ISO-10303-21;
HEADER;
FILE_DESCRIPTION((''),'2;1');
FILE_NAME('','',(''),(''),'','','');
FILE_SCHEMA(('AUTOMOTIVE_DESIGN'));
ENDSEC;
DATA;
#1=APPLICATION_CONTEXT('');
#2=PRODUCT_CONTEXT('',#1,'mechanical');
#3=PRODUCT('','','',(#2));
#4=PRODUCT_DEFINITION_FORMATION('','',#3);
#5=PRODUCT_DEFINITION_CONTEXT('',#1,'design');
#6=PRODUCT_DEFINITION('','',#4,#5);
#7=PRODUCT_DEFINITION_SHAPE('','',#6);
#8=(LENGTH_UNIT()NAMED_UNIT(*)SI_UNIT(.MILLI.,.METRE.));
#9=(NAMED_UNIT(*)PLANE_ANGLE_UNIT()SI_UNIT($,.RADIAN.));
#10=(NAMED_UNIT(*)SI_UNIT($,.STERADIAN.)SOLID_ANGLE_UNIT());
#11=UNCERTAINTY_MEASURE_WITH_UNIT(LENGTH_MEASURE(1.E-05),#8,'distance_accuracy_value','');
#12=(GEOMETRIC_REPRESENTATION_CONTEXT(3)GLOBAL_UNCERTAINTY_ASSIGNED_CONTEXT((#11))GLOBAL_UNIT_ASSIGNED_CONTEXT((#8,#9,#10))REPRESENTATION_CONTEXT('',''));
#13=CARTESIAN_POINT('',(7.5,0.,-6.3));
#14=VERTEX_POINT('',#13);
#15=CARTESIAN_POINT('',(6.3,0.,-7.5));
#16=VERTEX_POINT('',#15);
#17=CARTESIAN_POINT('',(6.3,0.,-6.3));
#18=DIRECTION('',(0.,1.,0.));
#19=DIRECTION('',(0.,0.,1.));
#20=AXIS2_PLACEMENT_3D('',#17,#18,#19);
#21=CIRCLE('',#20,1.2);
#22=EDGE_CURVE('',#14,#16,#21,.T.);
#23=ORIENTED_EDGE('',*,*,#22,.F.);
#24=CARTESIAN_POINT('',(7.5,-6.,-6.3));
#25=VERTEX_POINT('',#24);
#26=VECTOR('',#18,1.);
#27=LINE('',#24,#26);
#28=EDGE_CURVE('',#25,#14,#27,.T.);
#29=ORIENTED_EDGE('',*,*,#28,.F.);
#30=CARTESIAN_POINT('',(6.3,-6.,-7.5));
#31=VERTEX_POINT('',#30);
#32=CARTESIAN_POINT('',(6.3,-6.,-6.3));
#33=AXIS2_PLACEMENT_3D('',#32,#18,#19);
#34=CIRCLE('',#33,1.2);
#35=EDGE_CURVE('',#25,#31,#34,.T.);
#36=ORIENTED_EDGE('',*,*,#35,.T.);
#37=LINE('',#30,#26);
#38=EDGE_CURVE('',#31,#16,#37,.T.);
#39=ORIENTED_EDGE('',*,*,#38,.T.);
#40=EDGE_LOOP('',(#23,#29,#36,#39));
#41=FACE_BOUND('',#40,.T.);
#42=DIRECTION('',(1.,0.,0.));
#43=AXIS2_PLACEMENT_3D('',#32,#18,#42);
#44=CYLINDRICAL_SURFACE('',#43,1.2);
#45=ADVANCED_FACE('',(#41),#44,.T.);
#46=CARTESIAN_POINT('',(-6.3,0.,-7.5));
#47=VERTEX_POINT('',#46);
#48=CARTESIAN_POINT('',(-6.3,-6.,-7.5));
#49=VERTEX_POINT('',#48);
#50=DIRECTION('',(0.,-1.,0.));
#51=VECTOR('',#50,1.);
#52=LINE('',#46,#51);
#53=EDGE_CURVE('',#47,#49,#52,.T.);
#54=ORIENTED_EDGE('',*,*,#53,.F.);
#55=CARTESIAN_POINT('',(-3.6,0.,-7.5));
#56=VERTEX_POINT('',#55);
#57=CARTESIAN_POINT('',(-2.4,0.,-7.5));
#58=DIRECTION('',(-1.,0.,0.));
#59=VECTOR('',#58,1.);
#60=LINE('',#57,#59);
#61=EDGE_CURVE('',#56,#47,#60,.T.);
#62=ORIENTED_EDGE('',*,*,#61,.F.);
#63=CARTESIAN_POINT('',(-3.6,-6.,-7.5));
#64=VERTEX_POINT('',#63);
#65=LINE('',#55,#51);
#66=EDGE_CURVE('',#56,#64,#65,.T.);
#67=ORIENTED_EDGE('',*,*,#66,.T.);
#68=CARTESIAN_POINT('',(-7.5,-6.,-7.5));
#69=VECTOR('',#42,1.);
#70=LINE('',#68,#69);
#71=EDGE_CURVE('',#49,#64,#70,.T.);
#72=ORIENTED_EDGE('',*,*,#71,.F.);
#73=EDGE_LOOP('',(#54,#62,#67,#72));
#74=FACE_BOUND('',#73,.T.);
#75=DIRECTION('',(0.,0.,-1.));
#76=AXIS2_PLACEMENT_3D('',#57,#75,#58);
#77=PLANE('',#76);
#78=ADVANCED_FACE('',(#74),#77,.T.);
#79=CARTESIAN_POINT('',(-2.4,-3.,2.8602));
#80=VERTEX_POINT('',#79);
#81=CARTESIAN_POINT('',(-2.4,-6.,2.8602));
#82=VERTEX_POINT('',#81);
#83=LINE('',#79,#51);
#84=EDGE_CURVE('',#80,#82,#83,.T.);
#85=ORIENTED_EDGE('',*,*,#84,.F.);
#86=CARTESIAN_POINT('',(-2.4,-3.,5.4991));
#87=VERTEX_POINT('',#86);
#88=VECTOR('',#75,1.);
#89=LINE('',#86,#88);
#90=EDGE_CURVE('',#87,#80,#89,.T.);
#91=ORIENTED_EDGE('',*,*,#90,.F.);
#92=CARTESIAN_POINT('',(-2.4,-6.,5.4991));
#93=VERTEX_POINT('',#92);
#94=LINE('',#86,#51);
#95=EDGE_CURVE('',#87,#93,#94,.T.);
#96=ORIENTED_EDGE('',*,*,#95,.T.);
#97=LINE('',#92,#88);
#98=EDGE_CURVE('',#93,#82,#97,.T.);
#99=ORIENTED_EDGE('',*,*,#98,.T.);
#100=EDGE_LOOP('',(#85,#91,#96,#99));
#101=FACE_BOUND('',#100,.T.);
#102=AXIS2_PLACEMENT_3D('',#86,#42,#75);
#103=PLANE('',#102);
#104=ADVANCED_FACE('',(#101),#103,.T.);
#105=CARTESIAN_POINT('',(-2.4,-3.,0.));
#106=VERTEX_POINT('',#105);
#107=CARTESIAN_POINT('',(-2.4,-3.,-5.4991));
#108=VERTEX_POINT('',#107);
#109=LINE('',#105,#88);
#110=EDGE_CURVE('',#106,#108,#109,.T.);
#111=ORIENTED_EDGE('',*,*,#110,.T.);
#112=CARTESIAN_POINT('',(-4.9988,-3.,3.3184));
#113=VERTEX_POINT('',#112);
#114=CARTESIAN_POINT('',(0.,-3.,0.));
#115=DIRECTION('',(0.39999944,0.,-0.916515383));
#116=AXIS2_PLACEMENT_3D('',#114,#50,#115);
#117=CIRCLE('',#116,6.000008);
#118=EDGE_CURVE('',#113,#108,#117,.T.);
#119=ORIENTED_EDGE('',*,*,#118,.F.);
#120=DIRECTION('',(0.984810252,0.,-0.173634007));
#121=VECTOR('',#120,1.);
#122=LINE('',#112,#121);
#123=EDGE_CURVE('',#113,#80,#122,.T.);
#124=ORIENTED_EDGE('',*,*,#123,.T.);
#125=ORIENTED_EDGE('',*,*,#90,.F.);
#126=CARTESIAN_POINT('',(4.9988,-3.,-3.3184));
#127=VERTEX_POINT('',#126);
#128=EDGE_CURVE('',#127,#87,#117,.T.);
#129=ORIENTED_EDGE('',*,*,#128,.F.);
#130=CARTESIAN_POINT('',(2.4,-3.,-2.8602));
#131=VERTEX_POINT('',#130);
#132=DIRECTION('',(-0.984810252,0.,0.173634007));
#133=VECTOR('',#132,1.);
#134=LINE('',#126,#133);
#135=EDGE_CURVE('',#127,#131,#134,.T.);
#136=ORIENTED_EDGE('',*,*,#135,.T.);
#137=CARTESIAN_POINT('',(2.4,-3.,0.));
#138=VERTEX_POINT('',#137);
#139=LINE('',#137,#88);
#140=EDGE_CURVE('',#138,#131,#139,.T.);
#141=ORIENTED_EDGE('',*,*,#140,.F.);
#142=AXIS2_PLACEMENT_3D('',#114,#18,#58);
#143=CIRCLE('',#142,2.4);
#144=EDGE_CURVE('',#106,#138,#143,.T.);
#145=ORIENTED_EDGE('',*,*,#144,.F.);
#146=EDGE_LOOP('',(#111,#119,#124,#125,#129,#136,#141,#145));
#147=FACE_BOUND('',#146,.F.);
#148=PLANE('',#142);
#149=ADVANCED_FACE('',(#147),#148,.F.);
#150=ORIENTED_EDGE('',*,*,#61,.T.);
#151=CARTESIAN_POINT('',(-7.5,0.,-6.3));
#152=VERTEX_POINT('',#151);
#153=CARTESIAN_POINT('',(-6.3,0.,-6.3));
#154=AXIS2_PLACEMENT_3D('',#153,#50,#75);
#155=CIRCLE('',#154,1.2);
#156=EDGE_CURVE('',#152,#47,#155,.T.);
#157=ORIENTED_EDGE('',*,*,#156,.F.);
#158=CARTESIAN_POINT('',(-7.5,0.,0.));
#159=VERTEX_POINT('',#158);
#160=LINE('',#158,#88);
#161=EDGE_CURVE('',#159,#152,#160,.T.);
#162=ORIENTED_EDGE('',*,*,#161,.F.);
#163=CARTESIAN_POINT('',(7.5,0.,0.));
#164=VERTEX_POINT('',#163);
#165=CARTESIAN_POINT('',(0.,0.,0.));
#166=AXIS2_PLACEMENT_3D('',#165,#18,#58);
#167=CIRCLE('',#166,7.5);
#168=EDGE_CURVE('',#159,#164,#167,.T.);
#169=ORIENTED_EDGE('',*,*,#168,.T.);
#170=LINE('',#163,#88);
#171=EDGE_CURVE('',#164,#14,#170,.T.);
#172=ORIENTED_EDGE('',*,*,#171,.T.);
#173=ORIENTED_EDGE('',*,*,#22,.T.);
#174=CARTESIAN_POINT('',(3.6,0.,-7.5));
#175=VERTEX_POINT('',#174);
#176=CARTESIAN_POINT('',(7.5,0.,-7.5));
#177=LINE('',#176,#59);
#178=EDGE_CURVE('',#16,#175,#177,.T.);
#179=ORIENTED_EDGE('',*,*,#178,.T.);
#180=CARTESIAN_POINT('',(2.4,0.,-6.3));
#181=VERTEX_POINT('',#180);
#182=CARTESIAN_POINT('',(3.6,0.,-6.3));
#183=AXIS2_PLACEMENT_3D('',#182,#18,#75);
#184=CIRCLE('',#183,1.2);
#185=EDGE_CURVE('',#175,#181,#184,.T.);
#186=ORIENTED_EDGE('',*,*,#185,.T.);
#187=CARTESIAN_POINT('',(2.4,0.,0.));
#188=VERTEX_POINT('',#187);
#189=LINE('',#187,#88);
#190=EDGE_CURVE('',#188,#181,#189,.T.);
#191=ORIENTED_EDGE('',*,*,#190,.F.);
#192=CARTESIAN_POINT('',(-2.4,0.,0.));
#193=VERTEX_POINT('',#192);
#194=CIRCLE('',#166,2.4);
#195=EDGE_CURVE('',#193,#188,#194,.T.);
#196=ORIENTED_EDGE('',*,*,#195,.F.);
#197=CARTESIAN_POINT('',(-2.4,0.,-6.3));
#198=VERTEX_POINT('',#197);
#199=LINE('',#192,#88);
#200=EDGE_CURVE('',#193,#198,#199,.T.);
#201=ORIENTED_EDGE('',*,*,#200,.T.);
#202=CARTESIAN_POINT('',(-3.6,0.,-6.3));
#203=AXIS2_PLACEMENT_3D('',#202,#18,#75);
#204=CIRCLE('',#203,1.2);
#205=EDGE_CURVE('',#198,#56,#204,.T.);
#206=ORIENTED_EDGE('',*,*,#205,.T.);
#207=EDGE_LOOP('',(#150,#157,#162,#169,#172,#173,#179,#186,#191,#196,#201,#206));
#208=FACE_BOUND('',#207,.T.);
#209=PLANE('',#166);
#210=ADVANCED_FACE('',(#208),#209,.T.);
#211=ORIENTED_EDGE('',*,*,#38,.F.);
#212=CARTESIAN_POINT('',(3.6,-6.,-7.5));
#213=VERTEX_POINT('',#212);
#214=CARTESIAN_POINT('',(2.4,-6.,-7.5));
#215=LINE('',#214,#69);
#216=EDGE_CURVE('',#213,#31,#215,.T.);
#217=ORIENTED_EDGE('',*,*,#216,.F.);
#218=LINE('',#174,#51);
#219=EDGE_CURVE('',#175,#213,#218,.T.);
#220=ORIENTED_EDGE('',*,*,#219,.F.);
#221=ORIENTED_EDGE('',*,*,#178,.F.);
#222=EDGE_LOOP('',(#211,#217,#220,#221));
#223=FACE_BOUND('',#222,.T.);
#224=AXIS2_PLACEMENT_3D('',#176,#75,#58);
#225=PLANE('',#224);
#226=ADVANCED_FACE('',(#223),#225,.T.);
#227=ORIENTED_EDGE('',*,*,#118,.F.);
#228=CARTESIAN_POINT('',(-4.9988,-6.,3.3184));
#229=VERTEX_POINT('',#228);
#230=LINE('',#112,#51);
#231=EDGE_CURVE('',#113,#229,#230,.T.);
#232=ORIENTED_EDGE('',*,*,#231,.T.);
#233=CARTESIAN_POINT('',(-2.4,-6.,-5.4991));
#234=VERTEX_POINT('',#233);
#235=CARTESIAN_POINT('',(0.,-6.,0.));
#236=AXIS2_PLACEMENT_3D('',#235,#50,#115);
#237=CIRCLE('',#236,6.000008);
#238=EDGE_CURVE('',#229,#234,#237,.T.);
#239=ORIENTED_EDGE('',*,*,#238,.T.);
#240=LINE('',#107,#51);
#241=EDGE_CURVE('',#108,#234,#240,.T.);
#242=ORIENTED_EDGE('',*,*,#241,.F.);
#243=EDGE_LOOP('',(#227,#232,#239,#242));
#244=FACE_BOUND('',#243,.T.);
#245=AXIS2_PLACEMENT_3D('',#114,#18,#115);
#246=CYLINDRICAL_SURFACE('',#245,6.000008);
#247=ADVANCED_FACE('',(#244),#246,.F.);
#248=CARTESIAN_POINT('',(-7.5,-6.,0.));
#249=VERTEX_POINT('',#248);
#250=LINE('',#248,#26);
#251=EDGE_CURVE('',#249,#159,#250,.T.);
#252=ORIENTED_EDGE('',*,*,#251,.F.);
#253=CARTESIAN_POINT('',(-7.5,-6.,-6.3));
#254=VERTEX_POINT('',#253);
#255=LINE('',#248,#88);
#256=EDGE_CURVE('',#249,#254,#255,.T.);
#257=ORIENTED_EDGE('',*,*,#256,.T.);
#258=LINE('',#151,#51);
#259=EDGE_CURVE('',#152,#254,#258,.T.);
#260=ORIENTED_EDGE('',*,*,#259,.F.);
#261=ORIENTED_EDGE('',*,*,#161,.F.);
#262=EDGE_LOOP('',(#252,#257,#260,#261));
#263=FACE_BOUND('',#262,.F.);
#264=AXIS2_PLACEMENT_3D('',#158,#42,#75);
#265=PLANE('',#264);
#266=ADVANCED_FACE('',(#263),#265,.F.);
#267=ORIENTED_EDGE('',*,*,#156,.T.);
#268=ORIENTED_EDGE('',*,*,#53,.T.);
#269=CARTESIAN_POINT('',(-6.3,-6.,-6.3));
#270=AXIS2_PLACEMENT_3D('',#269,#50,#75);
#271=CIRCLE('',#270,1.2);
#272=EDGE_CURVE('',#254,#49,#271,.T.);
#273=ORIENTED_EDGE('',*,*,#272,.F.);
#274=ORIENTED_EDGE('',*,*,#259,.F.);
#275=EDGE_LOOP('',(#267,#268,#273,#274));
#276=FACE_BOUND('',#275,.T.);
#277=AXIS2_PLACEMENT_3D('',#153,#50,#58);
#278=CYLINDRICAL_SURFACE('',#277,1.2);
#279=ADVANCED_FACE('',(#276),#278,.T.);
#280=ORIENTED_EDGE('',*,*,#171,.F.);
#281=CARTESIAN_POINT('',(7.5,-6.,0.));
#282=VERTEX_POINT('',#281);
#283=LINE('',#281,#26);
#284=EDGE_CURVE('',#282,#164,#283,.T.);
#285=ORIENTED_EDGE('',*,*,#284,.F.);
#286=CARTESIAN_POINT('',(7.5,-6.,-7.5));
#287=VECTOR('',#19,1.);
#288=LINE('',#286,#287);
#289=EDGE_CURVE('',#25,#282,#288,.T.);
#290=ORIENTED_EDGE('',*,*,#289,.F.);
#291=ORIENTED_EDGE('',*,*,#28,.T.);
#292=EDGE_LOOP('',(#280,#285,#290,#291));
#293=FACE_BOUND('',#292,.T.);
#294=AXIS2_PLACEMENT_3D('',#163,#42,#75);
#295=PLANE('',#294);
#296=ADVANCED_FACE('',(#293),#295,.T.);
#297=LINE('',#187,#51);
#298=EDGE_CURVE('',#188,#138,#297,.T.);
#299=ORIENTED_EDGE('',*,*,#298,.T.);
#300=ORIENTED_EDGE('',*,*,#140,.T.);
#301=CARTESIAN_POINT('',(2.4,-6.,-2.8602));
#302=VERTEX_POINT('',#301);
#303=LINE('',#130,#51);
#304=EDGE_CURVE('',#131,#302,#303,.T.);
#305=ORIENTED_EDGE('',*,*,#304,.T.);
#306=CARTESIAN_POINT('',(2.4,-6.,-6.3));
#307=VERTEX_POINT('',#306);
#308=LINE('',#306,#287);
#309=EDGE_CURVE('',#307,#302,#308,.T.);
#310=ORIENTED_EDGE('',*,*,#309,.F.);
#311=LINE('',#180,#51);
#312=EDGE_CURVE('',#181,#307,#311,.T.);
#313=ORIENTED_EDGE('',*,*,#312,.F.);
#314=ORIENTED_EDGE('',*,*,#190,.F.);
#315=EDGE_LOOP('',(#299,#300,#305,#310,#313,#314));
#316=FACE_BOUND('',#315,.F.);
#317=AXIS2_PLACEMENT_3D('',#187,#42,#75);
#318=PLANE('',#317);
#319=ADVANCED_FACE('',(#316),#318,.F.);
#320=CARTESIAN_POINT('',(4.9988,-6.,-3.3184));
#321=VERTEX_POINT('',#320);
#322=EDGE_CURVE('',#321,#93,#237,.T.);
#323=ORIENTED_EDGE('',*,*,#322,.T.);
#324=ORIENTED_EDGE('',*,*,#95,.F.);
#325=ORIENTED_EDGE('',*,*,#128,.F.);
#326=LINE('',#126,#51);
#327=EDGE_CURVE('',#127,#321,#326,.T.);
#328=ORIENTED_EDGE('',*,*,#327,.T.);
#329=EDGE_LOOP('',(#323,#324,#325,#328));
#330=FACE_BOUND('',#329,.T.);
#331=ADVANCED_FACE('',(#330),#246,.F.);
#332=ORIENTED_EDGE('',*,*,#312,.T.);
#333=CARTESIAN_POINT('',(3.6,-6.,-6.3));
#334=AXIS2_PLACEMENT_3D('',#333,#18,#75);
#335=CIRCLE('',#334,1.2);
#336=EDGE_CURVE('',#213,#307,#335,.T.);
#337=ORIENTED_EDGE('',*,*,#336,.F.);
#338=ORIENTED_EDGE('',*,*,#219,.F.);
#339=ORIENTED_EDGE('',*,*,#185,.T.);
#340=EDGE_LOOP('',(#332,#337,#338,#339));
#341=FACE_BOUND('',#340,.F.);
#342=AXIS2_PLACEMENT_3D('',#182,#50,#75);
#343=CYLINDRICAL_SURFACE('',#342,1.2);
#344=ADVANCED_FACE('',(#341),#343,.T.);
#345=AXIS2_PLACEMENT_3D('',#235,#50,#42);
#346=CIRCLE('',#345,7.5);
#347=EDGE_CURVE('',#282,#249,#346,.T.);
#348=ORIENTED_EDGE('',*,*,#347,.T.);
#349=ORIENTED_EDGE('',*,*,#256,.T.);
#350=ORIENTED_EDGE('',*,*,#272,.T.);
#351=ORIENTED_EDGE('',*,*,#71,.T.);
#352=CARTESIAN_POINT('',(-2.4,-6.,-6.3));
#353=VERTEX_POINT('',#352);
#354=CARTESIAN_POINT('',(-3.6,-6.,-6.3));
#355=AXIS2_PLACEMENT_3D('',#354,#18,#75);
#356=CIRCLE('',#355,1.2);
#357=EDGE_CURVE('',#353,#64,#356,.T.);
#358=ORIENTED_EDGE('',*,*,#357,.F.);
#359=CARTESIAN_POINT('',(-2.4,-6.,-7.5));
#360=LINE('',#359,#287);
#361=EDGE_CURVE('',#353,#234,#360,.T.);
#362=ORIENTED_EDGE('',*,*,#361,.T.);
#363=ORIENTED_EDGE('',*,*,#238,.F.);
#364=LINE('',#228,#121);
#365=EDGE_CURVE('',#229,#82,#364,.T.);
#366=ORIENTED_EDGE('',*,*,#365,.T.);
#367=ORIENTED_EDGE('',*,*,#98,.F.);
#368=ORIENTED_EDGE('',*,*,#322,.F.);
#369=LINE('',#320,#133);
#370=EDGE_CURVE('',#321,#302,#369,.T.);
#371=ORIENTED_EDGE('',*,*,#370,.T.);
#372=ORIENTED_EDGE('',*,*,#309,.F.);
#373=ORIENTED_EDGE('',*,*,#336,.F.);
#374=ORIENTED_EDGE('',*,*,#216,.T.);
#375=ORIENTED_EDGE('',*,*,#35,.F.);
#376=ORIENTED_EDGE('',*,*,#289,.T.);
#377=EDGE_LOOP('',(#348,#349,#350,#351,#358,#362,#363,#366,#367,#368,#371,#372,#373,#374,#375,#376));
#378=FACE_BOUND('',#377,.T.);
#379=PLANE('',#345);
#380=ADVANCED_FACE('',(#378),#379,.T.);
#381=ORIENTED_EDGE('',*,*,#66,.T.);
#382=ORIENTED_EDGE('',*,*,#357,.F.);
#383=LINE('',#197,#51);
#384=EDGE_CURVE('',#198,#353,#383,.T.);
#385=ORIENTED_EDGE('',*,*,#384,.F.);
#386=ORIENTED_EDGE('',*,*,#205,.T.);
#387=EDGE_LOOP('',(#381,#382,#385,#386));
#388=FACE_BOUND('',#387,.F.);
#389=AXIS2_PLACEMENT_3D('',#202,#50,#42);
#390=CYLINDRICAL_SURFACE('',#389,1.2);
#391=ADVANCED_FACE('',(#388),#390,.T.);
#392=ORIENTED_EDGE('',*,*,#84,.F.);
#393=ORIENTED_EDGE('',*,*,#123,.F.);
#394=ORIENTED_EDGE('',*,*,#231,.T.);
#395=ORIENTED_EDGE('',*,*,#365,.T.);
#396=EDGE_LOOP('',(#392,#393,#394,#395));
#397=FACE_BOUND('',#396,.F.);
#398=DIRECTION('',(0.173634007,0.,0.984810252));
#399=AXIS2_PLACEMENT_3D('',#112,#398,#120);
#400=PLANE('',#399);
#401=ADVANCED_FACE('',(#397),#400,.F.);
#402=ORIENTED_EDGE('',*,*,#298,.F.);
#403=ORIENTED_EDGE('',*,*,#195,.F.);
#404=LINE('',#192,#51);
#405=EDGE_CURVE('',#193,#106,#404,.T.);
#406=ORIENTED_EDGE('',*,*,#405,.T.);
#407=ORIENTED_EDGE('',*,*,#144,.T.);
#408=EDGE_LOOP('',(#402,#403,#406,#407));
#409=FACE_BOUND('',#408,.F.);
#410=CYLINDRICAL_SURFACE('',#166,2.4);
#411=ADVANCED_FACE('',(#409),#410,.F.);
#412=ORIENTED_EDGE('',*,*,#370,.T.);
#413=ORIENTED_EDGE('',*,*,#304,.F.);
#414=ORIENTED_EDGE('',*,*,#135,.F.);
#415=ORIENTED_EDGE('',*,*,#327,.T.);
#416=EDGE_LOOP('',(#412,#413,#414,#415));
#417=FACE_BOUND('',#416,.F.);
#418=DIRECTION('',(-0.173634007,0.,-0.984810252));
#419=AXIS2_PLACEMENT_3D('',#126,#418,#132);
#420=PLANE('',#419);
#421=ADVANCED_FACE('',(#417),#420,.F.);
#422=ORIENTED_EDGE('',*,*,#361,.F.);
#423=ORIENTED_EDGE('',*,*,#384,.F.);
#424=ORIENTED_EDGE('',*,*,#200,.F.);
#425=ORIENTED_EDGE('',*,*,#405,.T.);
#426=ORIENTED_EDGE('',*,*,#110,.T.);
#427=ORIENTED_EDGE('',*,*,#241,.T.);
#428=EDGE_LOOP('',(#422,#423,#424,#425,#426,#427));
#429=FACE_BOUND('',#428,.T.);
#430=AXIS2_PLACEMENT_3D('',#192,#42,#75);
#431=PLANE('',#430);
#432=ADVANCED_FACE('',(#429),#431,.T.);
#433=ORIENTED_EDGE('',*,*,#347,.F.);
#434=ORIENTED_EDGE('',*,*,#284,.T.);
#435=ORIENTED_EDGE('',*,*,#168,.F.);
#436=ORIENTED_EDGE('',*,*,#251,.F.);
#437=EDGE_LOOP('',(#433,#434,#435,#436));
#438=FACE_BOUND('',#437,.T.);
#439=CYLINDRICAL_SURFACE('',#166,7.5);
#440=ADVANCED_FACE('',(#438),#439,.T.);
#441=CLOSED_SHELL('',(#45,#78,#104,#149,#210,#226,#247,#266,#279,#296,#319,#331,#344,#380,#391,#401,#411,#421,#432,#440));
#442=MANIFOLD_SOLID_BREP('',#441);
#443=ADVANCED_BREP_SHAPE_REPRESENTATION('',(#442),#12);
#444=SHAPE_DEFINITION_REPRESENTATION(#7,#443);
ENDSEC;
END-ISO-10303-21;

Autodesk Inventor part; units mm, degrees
ref_plane "YZ Plane" through (0, 0, 0) normal (1, 0, 0) x (0, 1, 0)
ref_plane "XZ Plane" through (0, 0, 0) normal (0, 1, 0) x (-1, 0, 0)
ref_plane "XY Plane" through (0, 0, 0) normal (0, 0, 1) x (1, 0, 0)
sketch "Sketch1" plane through (0, 0, 0) normal (0, 1, 0) x (-1, 0, 0)
  arc A0 (7.5, 0) -> (-7.5, 0) centre (0, 0) ccw
  arc A1 (2.4, 0) -> (-2.4, 0) centre (0, 0) ccw
  line L0 (-7.5, 0) -> (7.5, 0) construction
  line L1 (0, 0) -> (0, 11.6178) construction
  line L2 (-7.5, 0) -> (-7.5, -7.5)
  line L3 (-2.4, 0) -> (-2.4, -7.5)
  line L4 (2.4, 0) -> (2.4, -7.5)
  line L5 (7.5, 0) -> (7.5, -7.5)
  line L6 (-7.5, -7.5) -> (-2.4, -7.5)
  line L7 (2.4, -7.5) -> (7.5, -7.5)
  dimension "d0" = 15
  dimension "d2" = 7.5
  dimension "d3" = 4.8
  dimension "d6" = 7.5
  dimension "d8" = 7.5
extrude "Extrusion1" add sketch "Sketch1" against normal blind 3
sketch "Sketch2" plane through (0, -3, 0) normal (0, -1, 0) x (1, 0, 0)
  arc A0 (7.5, 0) -> (-7.5, 0) centre (0, 0) ccw projected
  line L0 (-7.5, 0) -> (-7.5, -7.5) projected
  line L1 (-2.4, -7.5) -> (-2.4, 0) projected
  arc A1 (2.4, 0) -> (-2.4, 0) centre (0, 0) ccw projected
  line L2 (2.4, 0) -> (2.4, -7.5) projected
  line L3 (7.5, -7.5) -> (7.5, 0) projected
  arc A2 (2.4, -5.4991) -> (-2.4, -5.4991) centre (0, 0) ccw
  arc A3 (7.5, 0) -> (-7.5, 0) centre (0, 0) ccw
  line L4 (-7.5, 0) -> (-7.5, -7.5)
  line L5 (-2.4, -7.5) -> (-2.4, -5.4991)
  line L6 (2.4, -5.4991) -> (2.4, -7.5)
  line L7 (7.5, -7.5) -> (7.5, 0)
  line L8 (-7.5, -7.5) -> (-2.4, -7.5)
  line L9 (2.4, -7.5) -> (7.5, -7.5)
  dimension "d11" = 6
extrude "Extrusion2" add sketch "Sketch2" along normal blind 3 contours L3 L9 L2 A2 L1 L8 L0 A0
fillet "Fillet1" radius 1.2 1 edges at (7.5, -3, -7.5)
fillet "Fillet2" radius 1.2 3 edges at (2.4, -3, -7.5) (-2.4, -3, -7.5) (-7.5, -3, -7.5)
sketch "Sketch3" plane through (0, -3, 0) normal (0, -1, 0) x (1, 0, 0)
  arc A0 (2.4, -5.4991) -> (-2.4, -5.4991) centre (0, 0) ccw projected
  line L0 (-2.4, -5.4991) -> (-2.4, 0) projected
  arc A1 (2.4, 0) -> (-2.4, 0) centre (0, 0) ccw projected
  line L1 (2.4, 0) -> (2.4, -5.4991) projected
  line L2 (0, 13.9059) -> (0, -15.9339) construction
  line L3 (-15.9969, 0.3837) -> (17.7517, -5.5671) construction
  line L4 (-15.1634, 5.1107) -> (18.5852, -0.84) construction
  line L5 (-2.4, -15.573) -> (-2.4, 20.0388) construction
  line L6 (2.4, -5.4991) -> (2.4, -2.8602)
  line L7 (4.9988, -3.3184) -> (2.4, -2.8602)
  line L8 (-4.9988, 3.3184) -> (-2.4, 2.8602)
  line L9 (-2.4, 5.4991) -> (-2.4, 2.8602)
  arc A2 (-3, 5.1962) -> (-4.9988, 3.3184) centre (0, 0) ccw
  arc A3 (2.4, -5.4991) -> (4.9988, -3.3184) centre (0, 0) ccw
  dimension "d27" = 80
extrude "Extrusion3" add sketch "Sketch3" along normal blind 3 contours L1 L7 A0 | L9 L8 A0
equation "\"d0\" = HeadConnectorOuterSize"
equation "\"d2\" = 0.5 * HeadConnectorOuterSize"
equation "\"d3\" = HeadConnectorWidth"
equation "\"d6\" = 0.5 * HeadConnectorOuterSize"
equation "\"d8\" = 0.5 * HeadConnectorOuterSize"
equation "\"d9\" = HeadConnectorOuterHeight"
equation "\"d11\" = 0.5 * HeadConnectorDiam"
equation "\"d12\" = HeadConnectorHeight"
equation "\"d14\" = 2 * HeadConnectorProportion"
equation "\"d15\" = 2 * HeadConnectorProportion"
equation "\"d28\" = HeadConnectorHeight"
equation "\"HeadConnectorDiam\" = 20 * HeadConnectorProportion"
equation "\"HeadConnectorWidth\" = 8 * HeadConnectorProportion"
equation "\"HeadConnectorOuterSize\" = 25 * HeadConnectorProportion"
equation "\"HeadConnectorHeight\" = 5 * HeadConnectorProportion"
equation "\"HeadConnectorOuterHeight\" = 5 * HeadConnectorProportion"
equation "\"HeadConnectorTolerance\" = 0.2"
equation "\"HeadConnectorProportion\" = 0.6"
properties part number "HeadConnector"
